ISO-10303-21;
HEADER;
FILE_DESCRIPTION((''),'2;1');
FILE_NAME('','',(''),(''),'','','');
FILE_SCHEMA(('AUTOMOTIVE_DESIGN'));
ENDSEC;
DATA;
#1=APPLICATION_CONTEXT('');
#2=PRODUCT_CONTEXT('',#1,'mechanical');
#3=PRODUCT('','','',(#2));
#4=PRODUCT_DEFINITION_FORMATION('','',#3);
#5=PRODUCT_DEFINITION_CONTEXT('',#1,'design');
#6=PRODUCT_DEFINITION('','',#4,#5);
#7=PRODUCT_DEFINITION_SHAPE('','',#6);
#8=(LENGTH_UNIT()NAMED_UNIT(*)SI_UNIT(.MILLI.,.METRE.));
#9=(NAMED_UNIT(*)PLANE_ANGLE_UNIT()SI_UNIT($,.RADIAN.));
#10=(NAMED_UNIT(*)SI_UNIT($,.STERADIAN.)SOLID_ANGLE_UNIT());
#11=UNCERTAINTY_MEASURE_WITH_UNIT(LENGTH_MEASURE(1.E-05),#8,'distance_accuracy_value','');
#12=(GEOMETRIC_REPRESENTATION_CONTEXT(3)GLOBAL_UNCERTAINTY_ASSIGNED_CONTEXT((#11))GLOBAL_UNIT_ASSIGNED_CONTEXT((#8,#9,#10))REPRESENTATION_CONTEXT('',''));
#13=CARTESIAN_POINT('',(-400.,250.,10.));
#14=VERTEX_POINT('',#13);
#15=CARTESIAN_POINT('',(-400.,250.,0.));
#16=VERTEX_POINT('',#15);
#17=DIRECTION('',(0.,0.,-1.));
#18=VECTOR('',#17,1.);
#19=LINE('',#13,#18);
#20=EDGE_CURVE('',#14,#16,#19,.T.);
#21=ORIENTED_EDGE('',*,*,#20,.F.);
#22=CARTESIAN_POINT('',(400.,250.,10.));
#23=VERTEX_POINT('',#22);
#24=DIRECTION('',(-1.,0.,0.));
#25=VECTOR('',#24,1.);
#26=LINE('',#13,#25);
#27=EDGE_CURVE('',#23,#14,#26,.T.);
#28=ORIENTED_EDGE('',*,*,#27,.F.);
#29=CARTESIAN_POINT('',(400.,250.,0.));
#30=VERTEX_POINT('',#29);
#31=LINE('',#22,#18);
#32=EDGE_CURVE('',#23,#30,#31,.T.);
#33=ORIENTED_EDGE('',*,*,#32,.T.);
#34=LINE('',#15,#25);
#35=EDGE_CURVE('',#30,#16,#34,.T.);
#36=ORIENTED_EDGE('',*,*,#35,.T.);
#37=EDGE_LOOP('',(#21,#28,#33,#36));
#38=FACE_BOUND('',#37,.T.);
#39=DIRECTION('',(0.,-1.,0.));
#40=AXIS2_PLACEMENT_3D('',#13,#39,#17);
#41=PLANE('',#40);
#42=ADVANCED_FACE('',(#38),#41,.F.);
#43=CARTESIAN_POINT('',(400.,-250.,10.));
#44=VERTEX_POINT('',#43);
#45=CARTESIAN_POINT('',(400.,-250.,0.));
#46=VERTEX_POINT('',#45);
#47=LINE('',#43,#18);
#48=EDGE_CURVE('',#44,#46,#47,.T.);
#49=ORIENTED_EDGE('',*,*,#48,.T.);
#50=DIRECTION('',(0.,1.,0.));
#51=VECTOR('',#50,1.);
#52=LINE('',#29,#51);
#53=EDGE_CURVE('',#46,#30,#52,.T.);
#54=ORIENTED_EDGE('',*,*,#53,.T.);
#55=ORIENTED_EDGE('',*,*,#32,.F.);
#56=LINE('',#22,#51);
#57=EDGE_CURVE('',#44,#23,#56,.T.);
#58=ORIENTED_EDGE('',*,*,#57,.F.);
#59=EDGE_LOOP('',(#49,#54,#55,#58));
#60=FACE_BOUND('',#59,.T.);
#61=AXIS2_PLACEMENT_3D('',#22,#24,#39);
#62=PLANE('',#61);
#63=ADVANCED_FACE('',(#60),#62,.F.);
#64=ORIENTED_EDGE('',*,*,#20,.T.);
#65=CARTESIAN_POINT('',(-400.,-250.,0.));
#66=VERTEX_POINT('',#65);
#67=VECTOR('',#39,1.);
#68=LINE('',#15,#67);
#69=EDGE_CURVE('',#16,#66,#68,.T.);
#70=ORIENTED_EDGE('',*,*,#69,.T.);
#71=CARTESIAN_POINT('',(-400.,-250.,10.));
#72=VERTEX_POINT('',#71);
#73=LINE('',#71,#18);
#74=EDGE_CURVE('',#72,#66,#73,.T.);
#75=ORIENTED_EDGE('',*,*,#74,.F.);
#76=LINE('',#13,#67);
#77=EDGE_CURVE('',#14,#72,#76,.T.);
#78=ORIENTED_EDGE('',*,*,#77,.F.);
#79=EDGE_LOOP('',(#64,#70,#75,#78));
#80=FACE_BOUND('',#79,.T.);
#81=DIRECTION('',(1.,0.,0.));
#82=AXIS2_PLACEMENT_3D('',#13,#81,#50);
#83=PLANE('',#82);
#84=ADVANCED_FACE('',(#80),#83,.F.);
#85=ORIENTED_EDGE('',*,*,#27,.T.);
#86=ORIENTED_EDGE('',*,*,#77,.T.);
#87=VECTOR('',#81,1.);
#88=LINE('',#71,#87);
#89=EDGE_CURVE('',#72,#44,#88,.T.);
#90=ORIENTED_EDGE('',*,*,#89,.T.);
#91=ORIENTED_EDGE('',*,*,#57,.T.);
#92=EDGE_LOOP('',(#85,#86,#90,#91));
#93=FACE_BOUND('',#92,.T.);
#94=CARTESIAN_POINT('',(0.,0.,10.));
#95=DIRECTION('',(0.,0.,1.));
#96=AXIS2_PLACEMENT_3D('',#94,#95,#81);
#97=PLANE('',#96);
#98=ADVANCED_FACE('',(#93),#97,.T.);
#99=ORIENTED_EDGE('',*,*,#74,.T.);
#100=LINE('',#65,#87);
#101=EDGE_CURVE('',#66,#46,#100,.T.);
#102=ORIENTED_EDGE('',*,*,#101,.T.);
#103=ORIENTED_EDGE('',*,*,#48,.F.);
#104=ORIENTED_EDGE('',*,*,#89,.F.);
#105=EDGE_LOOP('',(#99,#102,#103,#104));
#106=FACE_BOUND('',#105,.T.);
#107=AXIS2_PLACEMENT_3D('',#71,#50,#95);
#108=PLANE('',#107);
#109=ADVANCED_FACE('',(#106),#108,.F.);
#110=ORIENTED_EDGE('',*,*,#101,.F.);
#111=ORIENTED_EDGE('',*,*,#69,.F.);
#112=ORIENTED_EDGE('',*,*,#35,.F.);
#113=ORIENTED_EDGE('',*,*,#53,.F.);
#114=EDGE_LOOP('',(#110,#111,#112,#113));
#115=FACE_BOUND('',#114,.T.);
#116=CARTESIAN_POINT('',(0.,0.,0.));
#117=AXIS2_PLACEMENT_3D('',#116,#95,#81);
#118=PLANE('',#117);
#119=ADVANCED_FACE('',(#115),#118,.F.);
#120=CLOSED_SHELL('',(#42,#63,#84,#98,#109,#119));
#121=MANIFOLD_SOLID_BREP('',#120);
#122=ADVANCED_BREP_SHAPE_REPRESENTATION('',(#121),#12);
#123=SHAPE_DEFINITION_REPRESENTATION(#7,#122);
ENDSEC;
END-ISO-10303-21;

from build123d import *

# Parameters (mm, degrees)
SKETCH1_W           = 800
SKETCH1_H           = 500
BOSS_EXTRUDE1_DEPTH = 10


with BuildPart() as part:
    # Sketch1 → Boss-Extrude1 (new body)
    with BuildSketch(Plane.XY):
        Rectangle(SKETCH1_W, SKETCH1_H)
    extrude(amount=BOSS_EXTRUDE1_DEPTH)


solid = part.part
